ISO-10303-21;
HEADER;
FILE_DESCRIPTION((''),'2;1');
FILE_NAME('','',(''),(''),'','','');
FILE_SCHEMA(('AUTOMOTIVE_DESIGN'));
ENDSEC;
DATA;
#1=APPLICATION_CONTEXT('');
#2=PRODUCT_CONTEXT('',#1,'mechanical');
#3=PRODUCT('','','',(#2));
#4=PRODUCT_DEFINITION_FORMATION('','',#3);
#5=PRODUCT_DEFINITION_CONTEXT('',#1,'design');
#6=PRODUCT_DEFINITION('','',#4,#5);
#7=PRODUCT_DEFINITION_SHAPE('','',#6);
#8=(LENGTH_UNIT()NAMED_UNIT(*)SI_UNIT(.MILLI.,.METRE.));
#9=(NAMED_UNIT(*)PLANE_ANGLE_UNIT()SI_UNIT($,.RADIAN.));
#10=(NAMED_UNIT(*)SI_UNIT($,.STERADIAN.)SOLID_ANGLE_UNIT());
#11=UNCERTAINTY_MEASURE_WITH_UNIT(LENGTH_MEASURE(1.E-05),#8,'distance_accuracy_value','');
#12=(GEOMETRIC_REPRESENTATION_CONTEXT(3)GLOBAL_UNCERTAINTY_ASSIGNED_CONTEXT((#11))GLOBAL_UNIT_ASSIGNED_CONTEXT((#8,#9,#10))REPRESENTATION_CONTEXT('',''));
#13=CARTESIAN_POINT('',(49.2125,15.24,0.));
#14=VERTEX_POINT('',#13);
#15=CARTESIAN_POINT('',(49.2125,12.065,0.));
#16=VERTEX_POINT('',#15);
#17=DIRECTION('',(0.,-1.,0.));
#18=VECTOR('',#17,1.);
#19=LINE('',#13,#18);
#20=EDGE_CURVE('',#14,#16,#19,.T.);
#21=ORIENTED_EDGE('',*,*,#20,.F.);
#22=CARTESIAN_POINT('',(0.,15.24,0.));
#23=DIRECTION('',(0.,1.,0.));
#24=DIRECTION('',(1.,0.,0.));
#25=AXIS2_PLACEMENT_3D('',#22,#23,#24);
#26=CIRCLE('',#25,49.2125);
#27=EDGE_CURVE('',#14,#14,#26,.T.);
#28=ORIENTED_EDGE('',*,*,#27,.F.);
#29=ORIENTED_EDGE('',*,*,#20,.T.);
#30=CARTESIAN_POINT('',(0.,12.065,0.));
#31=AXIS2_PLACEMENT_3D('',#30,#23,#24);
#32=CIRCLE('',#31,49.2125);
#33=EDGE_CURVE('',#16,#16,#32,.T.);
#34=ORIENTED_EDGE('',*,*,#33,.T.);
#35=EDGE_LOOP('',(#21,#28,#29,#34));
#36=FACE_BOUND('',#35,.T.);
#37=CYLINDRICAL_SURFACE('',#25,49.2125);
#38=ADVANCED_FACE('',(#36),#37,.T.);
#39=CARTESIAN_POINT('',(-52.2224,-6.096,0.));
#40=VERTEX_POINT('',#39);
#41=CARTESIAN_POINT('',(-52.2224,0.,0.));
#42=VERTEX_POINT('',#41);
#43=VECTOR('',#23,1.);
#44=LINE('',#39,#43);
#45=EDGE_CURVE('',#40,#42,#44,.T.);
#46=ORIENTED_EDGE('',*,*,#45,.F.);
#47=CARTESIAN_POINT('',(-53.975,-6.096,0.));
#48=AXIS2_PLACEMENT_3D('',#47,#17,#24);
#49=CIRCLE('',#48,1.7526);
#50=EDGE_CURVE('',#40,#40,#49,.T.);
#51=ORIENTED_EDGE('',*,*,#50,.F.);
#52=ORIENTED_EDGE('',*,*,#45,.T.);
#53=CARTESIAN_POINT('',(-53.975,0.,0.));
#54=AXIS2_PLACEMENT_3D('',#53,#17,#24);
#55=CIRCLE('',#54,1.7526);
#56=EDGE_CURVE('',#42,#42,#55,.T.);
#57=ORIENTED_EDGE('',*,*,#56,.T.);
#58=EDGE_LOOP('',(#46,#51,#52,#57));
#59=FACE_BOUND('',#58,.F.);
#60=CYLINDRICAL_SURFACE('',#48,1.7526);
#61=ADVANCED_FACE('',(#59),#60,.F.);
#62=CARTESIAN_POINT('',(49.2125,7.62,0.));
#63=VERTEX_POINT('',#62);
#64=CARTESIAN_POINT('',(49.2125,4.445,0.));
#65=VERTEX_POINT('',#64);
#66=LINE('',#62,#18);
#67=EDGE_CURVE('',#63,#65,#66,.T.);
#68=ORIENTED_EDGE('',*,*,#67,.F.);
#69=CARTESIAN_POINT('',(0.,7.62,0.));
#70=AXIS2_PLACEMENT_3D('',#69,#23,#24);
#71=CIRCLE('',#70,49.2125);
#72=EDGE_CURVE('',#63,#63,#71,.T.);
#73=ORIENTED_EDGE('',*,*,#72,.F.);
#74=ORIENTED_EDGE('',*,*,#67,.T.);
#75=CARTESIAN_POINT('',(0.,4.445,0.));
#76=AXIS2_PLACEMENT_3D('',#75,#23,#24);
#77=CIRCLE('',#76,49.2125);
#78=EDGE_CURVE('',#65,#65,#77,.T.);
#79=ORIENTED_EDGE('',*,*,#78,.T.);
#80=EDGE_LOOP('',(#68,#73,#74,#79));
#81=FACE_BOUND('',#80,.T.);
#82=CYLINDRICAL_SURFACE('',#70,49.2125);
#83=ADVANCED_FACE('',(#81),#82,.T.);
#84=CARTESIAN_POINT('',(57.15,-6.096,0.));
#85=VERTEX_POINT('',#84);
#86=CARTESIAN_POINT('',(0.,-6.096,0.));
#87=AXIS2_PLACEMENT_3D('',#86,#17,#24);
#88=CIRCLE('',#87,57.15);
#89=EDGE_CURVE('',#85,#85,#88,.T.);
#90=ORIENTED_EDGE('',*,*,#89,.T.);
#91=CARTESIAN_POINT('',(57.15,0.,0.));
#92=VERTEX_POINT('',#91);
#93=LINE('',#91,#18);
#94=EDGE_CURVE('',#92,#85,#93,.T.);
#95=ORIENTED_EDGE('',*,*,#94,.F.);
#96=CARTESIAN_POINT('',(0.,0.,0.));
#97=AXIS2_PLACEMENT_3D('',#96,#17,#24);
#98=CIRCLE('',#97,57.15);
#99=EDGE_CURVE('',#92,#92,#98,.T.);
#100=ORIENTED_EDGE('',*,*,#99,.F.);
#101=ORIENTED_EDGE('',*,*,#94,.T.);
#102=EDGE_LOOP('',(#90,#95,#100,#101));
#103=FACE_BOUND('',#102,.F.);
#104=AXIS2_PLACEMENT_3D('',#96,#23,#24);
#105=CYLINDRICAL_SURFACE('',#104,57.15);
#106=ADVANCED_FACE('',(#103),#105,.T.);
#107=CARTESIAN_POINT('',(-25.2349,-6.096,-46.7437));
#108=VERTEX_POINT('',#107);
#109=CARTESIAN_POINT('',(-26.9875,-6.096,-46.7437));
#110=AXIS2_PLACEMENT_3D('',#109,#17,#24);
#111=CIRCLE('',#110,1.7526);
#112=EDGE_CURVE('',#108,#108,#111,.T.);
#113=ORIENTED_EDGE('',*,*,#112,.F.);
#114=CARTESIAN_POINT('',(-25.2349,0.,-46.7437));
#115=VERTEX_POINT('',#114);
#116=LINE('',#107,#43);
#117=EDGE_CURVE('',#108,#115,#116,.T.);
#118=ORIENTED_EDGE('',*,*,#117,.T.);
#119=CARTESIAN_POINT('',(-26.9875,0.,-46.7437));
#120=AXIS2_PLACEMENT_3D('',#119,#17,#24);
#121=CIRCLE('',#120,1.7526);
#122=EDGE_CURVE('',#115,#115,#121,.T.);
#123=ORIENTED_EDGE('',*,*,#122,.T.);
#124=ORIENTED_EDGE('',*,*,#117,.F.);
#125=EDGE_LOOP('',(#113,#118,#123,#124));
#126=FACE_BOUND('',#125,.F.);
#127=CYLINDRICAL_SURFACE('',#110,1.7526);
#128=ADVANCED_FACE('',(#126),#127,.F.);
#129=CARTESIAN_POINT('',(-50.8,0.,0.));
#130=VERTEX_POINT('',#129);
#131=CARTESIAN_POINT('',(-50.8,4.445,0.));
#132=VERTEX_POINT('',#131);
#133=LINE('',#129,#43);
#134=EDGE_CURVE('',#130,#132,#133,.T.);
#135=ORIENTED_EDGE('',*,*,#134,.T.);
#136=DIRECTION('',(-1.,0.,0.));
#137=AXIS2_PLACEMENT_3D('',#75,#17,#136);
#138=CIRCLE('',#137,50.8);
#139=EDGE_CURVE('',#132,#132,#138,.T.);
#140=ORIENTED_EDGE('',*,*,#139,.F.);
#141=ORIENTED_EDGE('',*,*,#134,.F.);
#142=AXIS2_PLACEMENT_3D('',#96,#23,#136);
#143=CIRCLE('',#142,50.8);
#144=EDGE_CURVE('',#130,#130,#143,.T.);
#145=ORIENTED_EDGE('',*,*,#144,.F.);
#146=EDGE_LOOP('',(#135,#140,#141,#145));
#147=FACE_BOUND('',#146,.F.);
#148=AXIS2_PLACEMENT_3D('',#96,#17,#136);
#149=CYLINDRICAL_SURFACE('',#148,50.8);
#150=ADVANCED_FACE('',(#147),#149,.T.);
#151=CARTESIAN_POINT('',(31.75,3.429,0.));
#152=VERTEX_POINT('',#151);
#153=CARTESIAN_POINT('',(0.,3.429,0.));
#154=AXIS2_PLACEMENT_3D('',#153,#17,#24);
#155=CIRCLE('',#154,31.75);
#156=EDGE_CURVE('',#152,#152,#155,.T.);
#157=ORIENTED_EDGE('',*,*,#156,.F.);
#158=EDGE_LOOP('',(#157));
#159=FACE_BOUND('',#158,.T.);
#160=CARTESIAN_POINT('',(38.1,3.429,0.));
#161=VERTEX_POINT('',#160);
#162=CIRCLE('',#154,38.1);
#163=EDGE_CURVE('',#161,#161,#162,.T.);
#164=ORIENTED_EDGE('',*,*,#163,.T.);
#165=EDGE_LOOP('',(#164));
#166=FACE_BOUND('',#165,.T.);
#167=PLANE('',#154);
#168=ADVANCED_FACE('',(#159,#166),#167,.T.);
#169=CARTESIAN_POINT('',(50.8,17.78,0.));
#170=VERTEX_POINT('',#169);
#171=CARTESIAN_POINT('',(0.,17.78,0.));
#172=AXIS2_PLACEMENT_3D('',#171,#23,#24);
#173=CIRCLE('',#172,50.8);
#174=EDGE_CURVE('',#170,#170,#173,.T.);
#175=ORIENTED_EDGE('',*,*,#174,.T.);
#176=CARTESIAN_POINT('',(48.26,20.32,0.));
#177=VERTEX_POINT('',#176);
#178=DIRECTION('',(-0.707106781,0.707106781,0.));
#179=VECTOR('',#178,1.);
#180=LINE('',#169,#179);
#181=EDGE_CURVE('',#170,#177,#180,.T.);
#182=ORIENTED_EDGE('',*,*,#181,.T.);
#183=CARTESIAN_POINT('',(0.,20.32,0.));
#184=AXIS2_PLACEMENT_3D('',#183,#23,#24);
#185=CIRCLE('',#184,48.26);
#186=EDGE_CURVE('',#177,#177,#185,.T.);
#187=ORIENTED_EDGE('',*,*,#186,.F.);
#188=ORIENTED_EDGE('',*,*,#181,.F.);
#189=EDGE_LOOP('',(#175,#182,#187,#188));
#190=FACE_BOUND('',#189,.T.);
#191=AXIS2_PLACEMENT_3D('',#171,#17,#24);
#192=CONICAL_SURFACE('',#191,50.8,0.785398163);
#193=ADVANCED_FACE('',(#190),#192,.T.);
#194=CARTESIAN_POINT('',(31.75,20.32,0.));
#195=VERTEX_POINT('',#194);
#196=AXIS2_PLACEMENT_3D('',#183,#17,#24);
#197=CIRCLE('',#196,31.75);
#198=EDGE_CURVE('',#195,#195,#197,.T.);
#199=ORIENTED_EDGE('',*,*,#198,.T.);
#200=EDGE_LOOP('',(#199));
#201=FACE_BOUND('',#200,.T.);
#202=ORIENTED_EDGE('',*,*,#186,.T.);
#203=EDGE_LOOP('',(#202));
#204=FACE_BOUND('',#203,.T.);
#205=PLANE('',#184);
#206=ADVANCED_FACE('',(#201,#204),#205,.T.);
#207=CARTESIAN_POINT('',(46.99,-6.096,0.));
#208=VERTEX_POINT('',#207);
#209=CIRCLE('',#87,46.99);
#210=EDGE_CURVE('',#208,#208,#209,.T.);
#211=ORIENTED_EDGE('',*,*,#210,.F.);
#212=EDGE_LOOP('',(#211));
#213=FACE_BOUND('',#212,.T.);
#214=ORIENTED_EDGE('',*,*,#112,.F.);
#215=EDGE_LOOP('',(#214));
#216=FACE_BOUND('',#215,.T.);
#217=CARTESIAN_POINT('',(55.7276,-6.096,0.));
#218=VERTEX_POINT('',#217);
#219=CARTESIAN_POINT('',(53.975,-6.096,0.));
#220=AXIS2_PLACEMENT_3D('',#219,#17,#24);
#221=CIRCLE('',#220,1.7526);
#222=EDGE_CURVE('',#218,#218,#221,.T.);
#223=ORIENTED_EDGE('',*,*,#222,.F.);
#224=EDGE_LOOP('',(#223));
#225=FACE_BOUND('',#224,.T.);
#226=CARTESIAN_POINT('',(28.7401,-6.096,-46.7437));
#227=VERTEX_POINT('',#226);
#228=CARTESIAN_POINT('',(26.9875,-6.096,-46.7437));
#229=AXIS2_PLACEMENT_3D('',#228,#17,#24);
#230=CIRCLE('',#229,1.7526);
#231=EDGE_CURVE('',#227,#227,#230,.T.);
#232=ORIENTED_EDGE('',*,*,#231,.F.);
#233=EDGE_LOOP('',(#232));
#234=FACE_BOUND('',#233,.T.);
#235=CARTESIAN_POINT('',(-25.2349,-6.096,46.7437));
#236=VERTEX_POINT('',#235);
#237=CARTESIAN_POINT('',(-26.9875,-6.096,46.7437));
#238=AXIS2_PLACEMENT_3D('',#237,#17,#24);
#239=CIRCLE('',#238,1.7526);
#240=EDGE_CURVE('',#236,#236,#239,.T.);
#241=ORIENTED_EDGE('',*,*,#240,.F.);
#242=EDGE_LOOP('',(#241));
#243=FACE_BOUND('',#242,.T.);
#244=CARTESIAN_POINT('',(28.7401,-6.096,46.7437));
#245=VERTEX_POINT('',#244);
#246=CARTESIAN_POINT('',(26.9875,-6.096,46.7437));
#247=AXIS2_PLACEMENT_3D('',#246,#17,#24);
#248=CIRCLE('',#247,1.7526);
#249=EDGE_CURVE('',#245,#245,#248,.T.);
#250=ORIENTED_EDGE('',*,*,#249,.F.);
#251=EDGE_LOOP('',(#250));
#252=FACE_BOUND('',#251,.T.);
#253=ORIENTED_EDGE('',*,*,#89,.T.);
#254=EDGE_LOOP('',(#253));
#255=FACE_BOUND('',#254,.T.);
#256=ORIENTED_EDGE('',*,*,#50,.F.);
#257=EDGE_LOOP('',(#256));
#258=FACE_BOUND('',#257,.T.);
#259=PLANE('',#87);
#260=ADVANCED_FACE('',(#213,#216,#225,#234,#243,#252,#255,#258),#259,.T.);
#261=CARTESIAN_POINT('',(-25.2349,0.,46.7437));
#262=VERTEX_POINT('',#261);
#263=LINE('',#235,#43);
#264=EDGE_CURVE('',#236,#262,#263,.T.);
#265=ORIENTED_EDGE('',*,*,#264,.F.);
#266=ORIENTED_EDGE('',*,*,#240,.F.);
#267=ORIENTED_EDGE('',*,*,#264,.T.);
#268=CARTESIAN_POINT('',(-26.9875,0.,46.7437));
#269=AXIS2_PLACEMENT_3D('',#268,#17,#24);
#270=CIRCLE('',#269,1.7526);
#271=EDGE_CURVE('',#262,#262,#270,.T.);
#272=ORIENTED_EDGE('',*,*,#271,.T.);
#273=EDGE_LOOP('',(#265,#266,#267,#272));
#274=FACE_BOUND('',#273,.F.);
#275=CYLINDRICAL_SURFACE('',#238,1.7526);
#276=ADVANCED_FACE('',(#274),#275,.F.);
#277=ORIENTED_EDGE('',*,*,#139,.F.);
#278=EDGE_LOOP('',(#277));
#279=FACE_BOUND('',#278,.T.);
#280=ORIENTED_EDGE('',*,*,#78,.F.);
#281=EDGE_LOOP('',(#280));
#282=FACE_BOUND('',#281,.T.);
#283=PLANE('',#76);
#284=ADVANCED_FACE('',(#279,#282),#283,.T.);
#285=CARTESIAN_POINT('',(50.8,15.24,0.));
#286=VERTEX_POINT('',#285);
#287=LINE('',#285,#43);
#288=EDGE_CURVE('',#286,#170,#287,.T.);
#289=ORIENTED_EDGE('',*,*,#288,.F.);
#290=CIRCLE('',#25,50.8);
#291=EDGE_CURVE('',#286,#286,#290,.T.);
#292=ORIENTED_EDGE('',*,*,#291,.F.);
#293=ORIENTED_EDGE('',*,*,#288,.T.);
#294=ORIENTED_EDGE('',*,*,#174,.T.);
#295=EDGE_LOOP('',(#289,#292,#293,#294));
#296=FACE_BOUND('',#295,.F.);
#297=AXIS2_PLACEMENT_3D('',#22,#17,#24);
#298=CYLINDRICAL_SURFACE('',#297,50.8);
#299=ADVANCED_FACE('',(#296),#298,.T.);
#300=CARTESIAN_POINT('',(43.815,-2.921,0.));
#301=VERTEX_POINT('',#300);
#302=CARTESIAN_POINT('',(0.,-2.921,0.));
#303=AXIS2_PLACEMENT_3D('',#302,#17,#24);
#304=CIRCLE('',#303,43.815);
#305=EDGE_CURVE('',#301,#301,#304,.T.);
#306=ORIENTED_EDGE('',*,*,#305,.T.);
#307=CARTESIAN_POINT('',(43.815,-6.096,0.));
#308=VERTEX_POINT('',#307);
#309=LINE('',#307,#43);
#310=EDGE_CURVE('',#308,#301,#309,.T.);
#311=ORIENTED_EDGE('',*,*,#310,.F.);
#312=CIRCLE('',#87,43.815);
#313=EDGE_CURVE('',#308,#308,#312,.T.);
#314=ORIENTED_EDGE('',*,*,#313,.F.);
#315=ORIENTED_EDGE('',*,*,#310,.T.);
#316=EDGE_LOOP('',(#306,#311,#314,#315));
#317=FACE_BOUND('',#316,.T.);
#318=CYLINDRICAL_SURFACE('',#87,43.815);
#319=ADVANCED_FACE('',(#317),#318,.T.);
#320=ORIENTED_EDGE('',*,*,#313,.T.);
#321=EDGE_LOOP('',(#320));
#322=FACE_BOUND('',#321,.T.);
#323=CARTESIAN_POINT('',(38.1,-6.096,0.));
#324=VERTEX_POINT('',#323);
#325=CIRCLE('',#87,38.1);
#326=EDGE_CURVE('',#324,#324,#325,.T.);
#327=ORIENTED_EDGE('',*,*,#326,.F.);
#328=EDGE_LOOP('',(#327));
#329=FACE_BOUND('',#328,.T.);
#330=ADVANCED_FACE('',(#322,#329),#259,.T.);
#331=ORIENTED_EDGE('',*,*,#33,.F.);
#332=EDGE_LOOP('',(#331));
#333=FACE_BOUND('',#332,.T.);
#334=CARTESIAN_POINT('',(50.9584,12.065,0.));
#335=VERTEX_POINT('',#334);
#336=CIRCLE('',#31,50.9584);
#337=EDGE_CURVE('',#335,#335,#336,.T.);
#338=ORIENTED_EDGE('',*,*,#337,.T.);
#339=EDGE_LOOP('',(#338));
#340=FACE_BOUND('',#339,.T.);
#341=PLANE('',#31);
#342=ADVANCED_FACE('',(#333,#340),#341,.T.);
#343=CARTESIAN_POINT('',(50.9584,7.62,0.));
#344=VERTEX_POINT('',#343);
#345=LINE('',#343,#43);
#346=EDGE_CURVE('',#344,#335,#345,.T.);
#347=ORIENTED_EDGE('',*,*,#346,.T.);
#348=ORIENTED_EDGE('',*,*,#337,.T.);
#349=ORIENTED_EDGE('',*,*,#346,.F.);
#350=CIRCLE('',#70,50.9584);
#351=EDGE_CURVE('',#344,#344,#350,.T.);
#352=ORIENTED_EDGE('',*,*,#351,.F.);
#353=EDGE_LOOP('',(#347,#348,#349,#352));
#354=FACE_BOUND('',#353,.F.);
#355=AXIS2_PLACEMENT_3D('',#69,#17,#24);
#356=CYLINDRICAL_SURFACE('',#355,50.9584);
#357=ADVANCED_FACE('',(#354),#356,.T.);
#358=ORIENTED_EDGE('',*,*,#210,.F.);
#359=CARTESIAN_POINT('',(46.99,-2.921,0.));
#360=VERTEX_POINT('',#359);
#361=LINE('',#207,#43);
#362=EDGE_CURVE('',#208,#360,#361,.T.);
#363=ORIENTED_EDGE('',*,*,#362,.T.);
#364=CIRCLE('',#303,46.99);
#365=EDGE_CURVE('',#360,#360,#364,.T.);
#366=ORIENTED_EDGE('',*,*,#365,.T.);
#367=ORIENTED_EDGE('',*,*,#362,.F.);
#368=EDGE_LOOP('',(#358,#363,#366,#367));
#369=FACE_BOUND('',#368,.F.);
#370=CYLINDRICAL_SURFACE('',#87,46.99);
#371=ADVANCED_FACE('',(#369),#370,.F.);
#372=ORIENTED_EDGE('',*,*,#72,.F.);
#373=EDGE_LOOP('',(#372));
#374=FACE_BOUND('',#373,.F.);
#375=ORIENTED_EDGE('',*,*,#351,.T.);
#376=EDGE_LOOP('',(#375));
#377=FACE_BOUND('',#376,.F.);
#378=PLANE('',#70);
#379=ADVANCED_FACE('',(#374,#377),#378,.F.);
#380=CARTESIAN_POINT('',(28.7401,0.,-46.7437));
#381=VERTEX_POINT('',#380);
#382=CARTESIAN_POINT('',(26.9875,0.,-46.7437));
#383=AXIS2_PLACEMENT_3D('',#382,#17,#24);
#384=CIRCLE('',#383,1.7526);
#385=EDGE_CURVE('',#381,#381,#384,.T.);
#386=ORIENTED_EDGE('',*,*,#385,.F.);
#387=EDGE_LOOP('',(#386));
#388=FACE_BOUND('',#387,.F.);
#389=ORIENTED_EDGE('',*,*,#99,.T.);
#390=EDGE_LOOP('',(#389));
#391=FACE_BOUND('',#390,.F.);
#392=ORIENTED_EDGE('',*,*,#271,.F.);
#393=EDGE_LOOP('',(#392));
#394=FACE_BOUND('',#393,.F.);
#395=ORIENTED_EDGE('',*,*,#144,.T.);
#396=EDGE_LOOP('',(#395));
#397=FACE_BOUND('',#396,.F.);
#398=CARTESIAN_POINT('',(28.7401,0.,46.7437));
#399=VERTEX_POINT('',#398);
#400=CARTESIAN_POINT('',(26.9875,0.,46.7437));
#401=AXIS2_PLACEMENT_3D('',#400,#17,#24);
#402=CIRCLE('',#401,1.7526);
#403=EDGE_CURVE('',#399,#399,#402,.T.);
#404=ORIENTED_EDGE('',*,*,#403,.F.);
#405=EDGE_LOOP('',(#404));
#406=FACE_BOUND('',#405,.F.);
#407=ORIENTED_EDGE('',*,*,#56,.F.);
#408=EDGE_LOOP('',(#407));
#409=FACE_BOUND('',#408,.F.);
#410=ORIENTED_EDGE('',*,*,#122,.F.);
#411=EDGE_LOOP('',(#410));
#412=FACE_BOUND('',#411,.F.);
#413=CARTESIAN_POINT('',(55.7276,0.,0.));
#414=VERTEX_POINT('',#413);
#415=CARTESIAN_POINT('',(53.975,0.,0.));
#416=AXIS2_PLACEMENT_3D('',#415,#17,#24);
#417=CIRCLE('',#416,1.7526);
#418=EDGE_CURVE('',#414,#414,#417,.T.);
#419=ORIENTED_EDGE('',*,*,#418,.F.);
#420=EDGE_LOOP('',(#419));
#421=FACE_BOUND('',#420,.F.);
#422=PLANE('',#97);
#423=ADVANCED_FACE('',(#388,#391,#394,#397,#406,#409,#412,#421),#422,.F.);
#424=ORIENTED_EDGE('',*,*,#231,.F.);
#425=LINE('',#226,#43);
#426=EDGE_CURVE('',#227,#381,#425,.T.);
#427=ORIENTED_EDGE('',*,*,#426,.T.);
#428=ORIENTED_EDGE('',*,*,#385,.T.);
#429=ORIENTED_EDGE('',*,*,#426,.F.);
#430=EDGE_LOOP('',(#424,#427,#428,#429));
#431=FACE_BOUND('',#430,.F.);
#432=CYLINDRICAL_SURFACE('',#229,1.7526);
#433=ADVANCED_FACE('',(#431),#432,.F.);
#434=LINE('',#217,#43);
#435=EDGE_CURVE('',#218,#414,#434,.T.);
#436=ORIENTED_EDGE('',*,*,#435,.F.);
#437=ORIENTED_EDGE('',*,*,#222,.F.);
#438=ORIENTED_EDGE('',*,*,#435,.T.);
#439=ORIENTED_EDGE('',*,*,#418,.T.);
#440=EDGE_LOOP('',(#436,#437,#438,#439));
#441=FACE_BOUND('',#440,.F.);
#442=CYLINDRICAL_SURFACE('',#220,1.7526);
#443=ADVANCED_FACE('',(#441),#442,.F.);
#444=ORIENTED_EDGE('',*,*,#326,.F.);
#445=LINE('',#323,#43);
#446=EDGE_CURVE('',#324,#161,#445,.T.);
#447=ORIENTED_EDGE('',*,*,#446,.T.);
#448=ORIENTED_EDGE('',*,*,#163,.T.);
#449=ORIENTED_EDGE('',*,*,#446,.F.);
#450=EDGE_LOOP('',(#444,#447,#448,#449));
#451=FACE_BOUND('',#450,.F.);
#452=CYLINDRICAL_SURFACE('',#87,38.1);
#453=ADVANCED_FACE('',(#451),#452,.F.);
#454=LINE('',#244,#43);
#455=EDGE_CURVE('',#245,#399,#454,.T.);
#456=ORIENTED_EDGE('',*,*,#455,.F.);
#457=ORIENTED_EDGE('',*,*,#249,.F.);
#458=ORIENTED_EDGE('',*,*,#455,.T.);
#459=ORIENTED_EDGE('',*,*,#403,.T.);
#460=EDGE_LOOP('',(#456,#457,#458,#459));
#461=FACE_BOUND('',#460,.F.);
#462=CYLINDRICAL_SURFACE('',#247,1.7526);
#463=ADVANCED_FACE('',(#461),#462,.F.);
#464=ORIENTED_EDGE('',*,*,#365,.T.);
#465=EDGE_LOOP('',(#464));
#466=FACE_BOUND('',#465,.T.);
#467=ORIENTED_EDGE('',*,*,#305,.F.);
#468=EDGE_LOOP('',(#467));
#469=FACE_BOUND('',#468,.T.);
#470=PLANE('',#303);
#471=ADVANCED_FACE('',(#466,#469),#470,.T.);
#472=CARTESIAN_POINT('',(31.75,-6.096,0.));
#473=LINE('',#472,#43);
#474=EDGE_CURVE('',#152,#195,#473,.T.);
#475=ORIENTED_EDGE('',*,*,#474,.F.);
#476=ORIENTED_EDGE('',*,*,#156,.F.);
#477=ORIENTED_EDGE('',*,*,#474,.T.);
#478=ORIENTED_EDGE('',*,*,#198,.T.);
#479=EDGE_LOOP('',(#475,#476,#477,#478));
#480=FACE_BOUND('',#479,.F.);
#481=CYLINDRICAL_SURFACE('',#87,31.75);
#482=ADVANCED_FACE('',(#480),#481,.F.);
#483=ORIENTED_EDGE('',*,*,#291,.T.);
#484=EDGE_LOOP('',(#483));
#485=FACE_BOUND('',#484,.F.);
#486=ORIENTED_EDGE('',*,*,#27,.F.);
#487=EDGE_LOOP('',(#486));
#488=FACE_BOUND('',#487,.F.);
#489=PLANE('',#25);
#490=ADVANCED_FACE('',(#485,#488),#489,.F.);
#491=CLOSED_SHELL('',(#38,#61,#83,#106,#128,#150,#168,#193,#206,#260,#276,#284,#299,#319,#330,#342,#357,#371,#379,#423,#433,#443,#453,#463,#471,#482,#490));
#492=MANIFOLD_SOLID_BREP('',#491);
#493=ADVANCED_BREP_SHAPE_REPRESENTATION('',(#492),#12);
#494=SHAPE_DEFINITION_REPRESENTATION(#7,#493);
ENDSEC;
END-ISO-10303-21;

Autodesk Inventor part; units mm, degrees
ref_plane "YZ Plane" through (0, 0, 0) normal (1, 0, 0) x (0, 1, 0)
ref_plane "XZ Plane" through (0, 0, 0) normal (0, 1, 0) x (-1, 0, 0)
ref_plane "XY Plane" through (0, 0, 0) normal (0, 0, 1) x (1, 0, 0)
sketch "Sketch1" plane through (0, 0, 0) normal (0, 1, 0) x (-1, 0, 0)
  circle A0 centre (0, 0) radius 50.8
  dimension "d0" = 101.6
extrude "Extrusion1" add sketch "Sketch1" along normal blind 7.62
sketch "Sketch2" plane through (0, 7.62, 0) normal (0, 1, 0) x (1, 0, 0)
  circle A0 centre (0, 0) radius 49.2125
  circle A1 centre (0, 0) radius 50.8
  dimension "d3" = 98.425
extrude "Extrusion2" cut sketch "Sketch2" against normal blind 3.175
sketch "Sketch3" plane through (0, 7.62, 0) normal (0, 1, 0) x (1, 0, 0)
  circle A0 centre (0, 0) radius 50.9584
extrude "Extrusion3" add sketch "Sketch3" along normal blind 7.62
sketch "Sketch4" plane through (0, 15.24, 0) normal (0, 1, 0) x (1, 0, 0)
  point P0 (0, 0)
sketch "Sketch5" plane through (0, 15.24, 0) normal (0, 1, 0) x (1, 0, 0)
  circle A0 centre (0, 0) radius 49.2125
  circle A1 centre (0, 0) radius 50.9584
  dimension "d8" = 98.425
extrude "Extrusion4" cut sketch "Sketch5" against normal blind 3.175
sketch "Sketch6" plane through (0, 15.24, 0) normal (0, 1, 0) x (1, 0, 0)
  circle A0 centre (0, 0) radius 50.8
  dimension "d11" = 101.6
extrude "Extrusion5" add sketch "Sketch6" along normal blind 5.08
sketch "Sketch7" plane through (0, 0, 0) normal (0, -1, 0) x (1, 0, 0)
  circle A0 centre (0, 0) radius 57.15
  dimension "d14" = 114.3
extrude "Extrusion6" add sketch "Sketch7" along normal blind 6.096
chamfer "Chamfer1" distance 2.54 angle 45 1 edges at (-50.8, 20.32, 0)
sketch "Sketch8" plane through (0, -6.096, 0) normal (0, -1, 0) x (1, 0, 0)
  circle A0 centre (0, 0) radius 50.8
  circle A1 centre (53.975, 0) radius 1.7526
  circle A2 centre (26.9875, 46.7437) radius 1.7526
  circle A3 centre (-26.9875, 46.7437) radius 1.7526
  circle A4 centre (-53.975, 0) radius 1.7526
  circle A5 centre (-26.9875, -46.7437) radius 1.7526
  circle A6 centre (26.9875, -46.7437) radius 1.7526
  circle A7 centre (46.7437, 26.9875) radius 1.7526
  circle A8 centre (26.9875, 46.7437) radius 1.7526
  circle A9 centre (0, 53.975) radius 1.7526
  circle A10 centre (-26.9875, 46.7437) radius 1.7526
  circle A11 centre (-46.7437, 26.9875) radius 1.7526
  circle A12 centre (-53.975, 0) radius 1.7526
  circle A13 centre (-46.7437, -26.9875) radius 1.7526
  circle A14 centre (-26.9875, -46.7437) radius 1.7526
  circle A15 centre (0, -53.975) radius 1.7526
  circle A16 centre (26.9875, -46.7437) radius 1.7526
  circle A17 centre (46.7437, -26.9875) radius 1.7526
  dimension "d20" = 3.5052
  dimension "d21" = 53.975
  dimension "d24" = 360
  dimension "d44" = 360
extrude "Extrusion7" cut sketch "Sketch8" against normal blind 6.096 contours A1 | A2 | A3 | A4 | A5 | A6
sketch "Sketch9" plane through (0, -6.096, 0) normal (0, -1, 0) x (1, 0, 0)
  circle A0 centre (0, 0) radius 12.7
  circle A1 centre (0, 0) radius 1.27
  dimension "d28" = 25.4
  dimension "d29" = 2.54
extrude "Extrusion8" cut sketch "Sketch9" against normal blind 127 contours A1
sketch "Sketch10" plane through (0, -6.096, 0) normal (0, -1, 0) x (1, 0, 0)
  circle A0 centre (0, 0) radius 1.27 projected
  circle A1 centre (0, 0) radius 38.1
  dimension "d33" = 76.2
extrude "Extrusion9" cut sketch "Sketch10" against normal blind 9.525
sketch "Sketch11" plane through (0, 3.429, 0) normal (0, -1, 0) x (1, 0, 0)
  circle A0 centre (0, 0) radius 12.7
  circle A1 centre (0, 0) radius 1.27
  dimension "d36" = 25.4
extrude "Extrusion10" add sketch "Sketch11" along normal blind 9.525
sketch "Sketch12" plane through (0, -6.096, 0) normal (0, -1, 0) x (1, 0, 0)
  circle A0 centre (0, 0) radius 31.75
  dimension "d39" = 63.5
extrude "Extrusion11" cut sketch "Sketch12" against normal blind 40.64
sketch "Sketch13" plane through (0, 3.429, 0) normal (0, -1, 0) x (1, 0, 0)
  point P0 (0, 0)
sketch "Sketch14" plane through (0, -6.096, 0) normal (0, -1, 0) x (1, 0, 0)
  point P0 (0, 0)
sketch "Sketch15" plane through (0, -6.096, 0) normal (0, -1, 0) x (1, 0, 0)
  circle A0 centre (0, 0) radius 46.99
  circle A1 centre (0, 0) radius 43.815
  dimension "d46" = 93.98
  dimension "d47" = 87.63
extrude "Extrusion12" cut sketch "Sketch15" against normal blind 3.175
sketch "Sketch16" plane through (0, -6.096, 0) normal (0, -1, 0) x (1, 0, 0)
  point P0 (0, 0)
properties part number "O ring Dome 2"
